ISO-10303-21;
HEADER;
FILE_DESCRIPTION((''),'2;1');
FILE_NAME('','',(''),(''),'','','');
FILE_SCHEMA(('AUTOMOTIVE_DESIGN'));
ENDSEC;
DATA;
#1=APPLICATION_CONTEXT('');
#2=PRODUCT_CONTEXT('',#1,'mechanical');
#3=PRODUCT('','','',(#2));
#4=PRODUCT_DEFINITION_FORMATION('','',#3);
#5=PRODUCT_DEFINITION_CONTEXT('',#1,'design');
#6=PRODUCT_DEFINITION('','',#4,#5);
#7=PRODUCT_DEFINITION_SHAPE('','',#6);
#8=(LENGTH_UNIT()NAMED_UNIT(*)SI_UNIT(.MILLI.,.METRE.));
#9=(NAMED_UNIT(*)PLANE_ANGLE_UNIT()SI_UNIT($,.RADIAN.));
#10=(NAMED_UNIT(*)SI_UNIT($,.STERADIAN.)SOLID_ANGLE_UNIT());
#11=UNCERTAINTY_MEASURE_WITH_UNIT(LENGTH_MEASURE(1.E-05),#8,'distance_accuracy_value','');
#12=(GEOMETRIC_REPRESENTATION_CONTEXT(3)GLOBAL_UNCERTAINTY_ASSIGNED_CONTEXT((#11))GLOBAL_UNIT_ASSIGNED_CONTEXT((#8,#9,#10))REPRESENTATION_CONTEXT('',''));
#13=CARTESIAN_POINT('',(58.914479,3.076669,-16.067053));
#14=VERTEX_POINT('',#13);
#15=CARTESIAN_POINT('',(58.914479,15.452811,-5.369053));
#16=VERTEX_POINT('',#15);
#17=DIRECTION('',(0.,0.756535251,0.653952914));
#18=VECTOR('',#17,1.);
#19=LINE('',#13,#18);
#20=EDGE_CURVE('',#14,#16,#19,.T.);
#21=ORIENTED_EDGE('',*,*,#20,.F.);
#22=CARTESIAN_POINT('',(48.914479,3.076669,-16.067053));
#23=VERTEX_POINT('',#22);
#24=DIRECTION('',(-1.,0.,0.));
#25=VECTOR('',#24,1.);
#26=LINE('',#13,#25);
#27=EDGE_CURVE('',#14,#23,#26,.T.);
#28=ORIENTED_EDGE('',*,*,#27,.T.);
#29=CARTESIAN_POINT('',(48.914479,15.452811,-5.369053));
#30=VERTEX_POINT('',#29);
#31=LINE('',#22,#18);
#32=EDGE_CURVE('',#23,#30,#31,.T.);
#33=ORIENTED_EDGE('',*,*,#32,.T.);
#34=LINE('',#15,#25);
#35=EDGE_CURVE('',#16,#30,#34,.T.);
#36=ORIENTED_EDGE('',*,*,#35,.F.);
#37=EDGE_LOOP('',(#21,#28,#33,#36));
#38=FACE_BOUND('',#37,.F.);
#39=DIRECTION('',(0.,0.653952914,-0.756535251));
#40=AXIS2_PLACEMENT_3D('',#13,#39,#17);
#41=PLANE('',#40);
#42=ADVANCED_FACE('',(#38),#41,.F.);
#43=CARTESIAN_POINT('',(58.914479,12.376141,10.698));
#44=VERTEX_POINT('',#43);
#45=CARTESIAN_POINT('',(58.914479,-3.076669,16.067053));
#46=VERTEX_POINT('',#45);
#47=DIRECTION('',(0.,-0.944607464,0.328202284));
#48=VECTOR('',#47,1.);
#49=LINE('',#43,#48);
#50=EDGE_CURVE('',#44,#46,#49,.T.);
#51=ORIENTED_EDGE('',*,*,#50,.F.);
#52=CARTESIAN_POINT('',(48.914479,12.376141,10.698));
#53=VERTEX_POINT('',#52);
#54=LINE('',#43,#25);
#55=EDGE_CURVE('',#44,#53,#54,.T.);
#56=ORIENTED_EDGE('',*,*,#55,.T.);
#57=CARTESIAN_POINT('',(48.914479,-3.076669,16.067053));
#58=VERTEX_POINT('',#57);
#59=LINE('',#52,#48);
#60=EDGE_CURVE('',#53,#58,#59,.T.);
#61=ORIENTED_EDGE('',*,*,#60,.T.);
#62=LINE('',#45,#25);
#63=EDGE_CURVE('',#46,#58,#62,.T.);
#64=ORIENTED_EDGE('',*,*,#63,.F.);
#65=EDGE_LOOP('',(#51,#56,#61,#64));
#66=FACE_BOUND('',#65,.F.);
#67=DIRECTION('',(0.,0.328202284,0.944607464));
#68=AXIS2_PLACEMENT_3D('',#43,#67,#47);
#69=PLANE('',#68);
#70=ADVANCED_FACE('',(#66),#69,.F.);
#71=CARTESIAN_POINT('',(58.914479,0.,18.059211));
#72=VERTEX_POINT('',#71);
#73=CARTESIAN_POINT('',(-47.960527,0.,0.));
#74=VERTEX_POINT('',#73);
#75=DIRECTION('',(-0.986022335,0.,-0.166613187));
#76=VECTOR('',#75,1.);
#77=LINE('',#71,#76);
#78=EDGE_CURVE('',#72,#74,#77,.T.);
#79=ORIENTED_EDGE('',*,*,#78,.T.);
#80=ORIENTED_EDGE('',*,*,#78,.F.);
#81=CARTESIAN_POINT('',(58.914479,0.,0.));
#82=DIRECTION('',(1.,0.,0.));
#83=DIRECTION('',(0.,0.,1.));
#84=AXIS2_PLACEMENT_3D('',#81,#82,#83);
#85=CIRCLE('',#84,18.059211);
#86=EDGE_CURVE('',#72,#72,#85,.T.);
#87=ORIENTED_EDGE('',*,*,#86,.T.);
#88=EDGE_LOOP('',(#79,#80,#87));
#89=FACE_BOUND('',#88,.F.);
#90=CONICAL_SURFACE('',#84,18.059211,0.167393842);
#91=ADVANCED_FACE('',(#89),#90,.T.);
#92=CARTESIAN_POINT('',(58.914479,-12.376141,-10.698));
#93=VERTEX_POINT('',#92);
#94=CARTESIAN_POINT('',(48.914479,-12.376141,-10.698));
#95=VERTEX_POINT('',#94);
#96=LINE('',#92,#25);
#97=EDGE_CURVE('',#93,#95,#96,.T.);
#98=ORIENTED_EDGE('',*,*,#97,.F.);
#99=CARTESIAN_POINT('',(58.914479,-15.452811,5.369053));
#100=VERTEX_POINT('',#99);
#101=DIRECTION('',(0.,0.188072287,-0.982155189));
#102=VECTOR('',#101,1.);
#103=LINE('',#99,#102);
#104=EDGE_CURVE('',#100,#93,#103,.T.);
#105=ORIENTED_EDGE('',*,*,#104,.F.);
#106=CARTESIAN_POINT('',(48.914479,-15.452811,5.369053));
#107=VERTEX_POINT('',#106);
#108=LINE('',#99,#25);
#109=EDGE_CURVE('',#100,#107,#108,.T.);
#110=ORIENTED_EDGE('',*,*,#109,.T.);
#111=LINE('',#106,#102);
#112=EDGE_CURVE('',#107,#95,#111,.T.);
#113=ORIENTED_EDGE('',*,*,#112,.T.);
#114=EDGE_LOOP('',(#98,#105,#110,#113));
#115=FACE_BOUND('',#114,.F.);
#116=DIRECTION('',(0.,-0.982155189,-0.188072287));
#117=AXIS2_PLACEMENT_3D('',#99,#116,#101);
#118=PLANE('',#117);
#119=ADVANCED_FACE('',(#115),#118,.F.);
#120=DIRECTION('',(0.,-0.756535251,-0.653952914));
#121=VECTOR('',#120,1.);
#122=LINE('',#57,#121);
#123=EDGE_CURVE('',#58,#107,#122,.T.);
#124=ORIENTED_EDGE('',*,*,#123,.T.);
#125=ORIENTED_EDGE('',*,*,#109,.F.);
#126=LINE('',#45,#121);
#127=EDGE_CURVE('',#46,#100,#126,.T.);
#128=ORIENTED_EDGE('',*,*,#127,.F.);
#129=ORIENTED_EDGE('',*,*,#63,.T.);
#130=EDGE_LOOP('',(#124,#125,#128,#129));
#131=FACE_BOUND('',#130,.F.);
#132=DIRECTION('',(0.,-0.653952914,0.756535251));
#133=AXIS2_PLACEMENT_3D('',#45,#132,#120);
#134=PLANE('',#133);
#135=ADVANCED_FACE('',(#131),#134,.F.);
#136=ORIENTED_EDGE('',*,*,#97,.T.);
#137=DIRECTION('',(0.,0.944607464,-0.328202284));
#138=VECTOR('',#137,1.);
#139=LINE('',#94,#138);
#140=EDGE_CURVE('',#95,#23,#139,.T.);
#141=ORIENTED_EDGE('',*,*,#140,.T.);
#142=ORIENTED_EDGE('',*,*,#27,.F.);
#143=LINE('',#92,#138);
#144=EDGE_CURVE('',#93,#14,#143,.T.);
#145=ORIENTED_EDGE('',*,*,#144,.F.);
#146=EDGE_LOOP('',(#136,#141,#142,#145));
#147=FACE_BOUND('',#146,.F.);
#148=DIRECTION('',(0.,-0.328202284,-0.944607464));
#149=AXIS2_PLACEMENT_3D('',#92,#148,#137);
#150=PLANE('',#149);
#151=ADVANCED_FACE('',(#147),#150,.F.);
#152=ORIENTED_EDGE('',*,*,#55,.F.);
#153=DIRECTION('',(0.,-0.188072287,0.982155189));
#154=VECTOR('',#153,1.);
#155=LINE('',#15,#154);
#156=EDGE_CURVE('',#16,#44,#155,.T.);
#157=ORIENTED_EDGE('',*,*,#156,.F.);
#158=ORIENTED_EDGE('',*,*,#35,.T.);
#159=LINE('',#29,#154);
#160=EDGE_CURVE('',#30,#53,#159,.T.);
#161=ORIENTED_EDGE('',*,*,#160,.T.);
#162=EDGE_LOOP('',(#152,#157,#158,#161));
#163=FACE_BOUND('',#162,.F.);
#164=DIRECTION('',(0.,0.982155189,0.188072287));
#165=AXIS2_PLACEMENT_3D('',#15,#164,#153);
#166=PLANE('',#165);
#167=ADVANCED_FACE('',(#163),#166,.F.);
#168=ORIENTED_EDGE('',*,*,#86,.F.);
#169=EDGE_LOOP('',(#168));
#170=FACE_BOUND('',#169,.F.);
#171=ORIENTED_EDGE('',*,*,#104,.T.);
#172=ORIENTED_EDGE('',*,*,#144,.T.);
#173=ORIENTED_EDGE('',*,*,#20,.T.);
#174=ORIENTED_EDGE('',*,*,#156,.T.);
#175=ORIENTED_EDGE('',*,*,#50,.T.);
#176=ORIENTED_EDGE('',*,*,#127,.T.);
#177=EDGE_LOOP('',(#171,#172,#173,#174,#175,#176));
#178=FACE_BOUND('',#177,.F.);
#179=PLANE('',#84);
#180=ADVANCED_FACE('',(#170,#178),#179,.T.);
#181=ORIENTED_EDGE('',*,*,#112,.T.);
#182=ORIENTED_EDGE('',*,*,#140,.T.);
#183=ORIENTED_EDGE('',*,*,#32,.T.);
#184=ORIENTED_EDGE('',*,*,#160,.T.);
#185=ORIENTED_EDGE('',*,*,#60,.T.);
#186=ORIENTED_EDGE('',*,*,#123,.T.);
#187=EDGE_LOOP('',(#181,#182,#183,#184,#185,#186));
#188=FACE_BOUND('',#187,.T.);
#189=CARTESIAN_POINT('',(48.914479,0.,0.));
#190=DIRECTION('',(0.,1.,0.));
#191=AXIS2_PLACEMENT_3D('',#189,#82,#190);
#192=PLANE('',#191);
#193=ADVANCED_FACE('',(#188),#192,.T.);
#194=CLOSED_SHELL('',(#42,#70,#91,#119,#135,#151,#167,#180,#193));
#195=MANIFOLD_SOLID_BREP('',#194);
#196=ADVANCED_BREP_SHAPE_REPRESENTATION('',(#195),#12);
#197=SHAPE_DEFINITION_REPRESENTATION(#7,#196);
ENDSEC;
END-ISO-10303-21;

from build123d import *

# Parameters (mm, degrees)
F3_DEPTH = 10


with BuildPart() as f1:
    # F0 (on Front) → F1 (revolve)
    with BuildSketch(Plane.XZ):
        Polygon((58.914479, 18.059211), (-47.960527, 0), (58.914479, 0), align=None)
    revolve(axis=Axis((5.476976, 0, 0), (1, 0, 0)))

    # F2 (on face) → F3 (cut)
    with BuildSketch(Plane.YZ.offset(58.914479)):
        Polygon((15.452811, -5.369053), (12.376141, 10.698), (-3.076669, 16.067053), (-15.452811, 5.369053), (-12.376141, -10.698), (3.076669, -16.067053), align=None)
    extrude(amount=-F3_DEPTH, mode=Mode.SUBTRACT)


solid = f1.part
